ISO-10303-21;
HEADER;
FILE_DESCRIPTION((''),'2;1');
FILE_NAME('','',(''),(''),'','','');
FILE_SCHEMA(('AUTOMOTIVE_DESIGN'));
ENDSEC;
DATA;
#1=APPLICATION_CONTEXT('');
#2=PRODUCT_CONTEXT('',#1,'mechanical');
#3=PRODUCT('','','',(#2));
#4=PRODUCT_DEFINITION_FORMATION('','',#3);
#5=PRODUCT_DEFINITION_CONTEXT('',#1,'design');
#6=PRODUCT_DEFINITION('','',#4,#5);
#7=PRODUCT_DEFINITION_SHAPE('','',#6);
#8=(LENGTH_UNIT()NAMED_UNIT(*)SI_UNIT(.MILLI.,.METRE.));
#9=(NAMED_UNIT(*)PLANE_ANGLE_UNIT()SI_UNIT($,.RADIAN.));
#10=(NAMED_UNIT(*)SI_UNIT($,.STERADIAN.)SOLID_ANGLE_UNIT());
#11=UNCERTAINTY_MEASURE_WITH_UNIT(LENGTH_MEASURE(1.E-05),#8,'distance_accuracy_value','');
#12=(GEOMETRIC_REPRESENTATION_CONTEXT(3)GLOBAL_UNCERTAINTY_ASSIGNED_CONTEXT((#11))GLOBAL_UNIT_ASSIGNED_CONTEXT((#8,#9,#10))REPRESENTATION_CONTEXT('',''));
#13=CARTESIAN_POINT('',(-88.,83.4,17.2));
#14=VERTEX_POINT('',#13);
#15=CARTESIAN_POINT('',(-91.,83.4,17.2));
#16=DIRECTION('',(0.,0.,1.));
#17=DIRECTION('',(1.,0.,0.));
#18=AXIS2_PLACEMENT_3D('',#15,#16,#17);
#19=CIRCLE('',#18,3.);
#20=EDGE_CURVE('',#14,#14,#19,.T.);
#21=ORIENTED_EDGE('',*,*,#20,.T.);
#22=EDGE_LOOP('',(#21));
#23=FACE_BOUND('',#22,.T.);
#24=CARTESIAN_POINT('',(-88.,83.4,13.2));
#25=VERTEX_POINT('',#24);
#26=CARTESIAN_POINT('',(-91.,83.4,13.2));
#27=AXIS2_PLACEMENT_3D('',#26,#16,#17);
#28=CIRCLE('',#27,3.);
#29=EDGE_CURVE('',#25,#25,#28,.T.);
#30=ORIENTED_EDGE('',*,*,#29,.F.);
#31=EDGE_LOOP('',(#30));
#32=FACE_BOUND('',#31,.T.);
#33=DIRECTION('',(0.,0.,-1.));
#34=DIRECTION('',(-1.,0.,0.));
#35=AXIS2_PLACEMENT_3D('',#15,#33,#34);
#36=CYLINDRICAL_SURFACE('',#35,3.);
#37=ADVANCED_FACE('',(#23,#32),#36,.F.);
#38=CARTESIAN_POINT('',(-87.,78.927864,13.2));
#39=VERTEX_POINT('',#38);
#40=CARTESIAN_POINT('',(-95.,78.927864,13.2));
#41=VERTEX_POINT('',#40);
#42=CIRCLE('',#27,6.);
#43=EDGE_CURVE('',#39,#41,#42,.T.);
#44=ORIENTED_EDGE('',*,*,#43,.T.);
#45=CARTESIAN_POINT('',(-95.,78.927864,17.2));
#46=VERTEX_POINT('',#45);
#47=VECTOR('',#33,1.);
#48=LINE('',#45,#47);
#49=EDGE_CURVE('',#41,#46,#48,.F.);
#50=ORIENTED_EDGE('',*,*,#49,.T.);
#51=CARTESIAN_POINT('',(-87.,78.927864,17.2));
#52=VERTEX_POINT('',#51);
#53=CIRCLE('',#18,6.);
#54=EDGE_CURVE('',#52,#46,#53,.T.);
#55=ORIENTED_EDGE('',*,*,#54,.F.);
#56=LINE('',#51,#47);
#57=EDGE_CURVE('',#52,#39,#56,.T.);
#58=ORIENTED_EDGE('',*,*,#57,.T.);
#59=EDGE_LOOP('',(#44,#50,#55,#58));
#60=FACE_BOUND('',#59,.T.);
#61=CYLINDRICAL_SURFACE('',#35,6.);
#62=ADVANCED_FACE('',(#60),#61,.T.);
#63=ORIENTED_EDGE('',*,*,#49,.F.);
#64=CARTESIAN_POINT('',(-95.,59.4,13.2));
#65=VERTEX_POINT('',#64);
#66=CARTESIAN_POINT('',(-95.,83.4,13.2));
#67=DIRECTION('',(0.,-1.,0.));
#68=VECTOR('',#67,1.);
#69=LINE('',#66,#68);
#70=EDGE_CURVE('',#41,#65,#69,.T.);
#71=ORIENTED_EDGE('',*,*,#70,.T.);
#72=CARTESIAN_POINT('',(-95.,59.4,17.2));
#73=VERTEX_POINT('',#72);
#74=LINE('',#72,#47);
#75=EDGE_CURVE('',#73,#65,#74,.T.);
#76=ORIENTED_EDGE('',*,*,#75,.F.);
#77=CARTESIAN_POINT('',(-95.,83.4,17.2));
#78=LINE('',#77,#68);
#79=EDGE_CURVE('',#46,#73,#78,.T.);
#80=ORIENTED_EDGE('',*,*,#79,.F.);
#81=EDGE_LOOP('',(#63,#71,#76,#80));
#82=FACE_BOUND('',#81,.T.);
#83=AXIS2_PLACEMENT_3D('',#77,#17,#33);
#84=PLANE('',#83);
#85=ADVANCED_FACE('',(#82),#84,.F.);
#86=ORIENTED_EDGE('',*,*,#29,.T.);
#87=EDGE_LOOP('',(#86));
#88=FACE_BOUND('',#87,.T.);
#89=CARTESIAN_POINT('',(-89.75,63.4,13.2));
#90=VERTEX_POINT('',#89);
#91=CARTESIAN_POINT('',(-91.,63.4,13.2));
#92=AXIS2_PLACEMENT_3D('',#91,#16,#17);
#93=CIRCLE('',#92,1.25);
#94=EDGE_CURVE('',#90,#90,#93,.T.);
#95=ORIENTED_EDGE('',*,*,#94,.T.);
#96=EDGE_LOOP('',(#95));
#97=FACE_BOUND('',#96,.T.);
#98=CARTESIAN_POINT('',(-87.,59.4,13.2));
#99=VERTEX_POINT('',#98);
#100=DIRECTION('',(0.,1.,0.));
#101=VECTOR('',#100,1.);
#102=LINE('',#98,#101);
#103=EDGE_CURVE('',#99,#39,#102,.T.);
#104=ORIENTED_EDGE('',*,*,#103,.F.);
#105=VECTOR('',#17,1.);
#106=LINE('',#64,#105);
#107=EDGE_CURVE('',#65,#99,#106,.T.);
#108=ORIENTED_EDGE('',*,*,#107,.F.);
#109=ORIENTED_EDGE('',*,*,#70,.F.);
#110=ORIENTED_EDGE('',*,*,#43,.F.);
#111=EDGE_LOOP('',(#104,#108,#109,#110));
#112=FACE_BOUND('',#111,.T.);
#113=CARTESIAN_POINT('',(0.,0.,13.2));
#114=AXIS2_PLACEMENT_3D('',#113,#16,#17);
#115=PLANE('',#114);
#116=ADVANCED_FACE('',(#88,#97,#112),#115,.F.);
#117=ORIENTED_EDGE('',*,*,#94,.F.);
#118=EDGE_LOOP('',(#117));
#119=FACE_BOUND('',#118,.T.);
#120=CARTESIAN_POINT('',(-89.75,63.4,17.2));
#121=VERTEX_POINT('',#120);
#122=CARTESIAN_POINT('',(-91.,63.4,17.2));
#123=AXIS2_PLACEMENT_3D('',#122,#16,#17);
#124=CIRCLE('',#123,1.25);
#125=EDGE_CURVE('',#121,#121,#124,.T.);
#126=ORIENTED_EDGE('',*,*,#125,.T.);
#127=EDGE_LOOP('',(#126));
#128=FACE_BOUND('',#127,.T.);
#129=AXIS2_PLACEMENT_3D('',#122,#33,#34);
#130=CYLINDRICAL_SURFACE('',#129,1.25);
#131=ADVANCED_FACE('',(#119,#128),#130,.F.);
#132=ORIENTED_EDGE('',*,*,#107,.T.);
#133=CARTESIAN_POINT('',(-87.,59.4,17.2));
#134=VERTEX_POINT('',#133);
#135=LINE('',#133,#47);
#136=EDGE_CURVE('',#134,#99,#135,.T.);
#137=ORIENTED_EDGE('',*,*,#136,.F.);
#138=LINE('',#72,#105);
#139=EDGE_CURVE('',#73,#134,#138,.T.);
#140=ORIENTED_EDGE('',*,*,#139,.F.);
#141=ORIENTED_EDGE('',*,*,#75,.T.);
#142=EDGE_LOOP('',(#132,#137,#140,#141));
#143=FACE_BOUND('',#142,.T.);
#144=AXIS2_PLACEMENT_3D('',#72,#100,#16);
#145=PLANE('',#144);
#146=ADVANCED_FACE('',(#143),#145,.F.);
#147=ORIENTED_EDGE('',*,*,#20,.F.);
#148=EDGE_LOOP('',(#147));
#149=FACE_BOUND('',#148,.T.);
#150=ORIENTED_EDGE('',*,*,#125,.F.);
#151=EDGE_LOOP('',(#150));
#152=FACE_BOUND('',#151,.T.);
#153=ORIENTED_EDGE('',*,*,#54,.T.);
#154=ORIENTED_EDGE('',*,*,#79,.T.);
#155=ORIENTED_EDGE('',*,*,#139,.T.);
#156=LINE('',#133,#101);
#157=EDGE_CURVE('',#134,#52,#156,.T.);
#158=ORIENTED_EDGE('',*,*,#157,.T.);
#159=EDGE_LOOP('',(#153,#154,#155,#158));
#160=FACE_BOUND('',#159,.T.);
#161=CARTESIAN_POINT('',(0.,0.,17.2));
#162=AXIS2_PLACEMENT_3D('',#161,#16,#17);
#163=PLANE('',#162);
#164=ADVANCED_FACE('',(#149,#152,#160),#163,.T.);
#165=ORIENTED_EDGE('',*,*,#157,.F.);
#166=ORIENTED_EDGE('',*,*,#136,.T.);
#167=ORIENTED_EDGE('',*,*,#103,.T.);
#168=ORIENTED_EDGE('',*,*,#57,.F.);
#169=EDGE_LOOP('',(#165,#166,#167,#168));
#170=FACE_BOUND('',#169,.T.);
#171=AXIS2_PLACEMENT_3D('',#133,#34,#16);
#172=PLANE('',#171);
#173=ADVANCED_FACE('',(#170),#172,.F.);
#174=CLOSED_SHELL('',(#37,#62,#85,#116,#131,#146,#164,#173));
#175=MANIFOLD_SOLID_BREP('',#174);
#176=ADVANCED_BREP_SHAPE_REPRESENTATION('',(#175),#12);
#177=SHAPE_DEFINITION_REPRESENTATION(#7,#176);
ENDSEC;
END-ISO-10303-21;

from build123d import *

# Parameters (mm, degrees)
HORN_ARM_SKETCH_W       = 8
HORN_ARM_SKETCH_H       = 24
HORN_ARM_DEPTH          = 4
HORN_HUB_SKETCH_R       = 6
HORN_HUB_DEPTH          = 4
SHAFT_BORE_SKETCH_R     = 3
SHAFT_BORE_DEPTH        = 4
BALL_STUD_HOLE_SKETCH_R = 1.25
BALL_STUD_HOLE_DEPTH    = 4


with BuildPart() as part:
    # Horn Arm Sketch → Horn Arm (new body)
    with BuildSketch(Plane.XY.offset(13.2)):
        with Locations((-91, 71.4)):
            Rectangle(HORN_ARM_SKETCH_W, HORN_ARM_SKETCH_H)
    extrude(amount=HORN_ARM_DEPTH)

    # Horn Hub Sketch → Horn Hub (add)
    with BuildSketch(Plane.XY.offset(13.2)):
        with Locations((-91, 83.4)):
            Circle(HORN_HUB_SKETCH_R)
    extrude(amount=HORN_HUB_DEPTH)

    # Shaft Bore Sketch → Shaft Bore (cut)
    with BuildSketch(Plane.XY.offset(13.2)):
        with Locations((-91, 83.4)):
            Circle(SHAFT_BORE_SKETCH_R)
    extrude(amount=SHAFT_BORE_DEPTH, mode=Mode.SUBTRACT)

    # Ball Stud Hole Sketch → Ball Stud Hole (cut)
    with BuildSketch(Plane.XY.offset(13.2)):
        with Locations((-91, 63.4)):
            Circle(BALL_STUD_HOLE_SKETCH_R)
    extrude(amount=BALL_STUD_HOLE_DEPTH, mode=Mode.SUBTRACT)


solid = part.part
